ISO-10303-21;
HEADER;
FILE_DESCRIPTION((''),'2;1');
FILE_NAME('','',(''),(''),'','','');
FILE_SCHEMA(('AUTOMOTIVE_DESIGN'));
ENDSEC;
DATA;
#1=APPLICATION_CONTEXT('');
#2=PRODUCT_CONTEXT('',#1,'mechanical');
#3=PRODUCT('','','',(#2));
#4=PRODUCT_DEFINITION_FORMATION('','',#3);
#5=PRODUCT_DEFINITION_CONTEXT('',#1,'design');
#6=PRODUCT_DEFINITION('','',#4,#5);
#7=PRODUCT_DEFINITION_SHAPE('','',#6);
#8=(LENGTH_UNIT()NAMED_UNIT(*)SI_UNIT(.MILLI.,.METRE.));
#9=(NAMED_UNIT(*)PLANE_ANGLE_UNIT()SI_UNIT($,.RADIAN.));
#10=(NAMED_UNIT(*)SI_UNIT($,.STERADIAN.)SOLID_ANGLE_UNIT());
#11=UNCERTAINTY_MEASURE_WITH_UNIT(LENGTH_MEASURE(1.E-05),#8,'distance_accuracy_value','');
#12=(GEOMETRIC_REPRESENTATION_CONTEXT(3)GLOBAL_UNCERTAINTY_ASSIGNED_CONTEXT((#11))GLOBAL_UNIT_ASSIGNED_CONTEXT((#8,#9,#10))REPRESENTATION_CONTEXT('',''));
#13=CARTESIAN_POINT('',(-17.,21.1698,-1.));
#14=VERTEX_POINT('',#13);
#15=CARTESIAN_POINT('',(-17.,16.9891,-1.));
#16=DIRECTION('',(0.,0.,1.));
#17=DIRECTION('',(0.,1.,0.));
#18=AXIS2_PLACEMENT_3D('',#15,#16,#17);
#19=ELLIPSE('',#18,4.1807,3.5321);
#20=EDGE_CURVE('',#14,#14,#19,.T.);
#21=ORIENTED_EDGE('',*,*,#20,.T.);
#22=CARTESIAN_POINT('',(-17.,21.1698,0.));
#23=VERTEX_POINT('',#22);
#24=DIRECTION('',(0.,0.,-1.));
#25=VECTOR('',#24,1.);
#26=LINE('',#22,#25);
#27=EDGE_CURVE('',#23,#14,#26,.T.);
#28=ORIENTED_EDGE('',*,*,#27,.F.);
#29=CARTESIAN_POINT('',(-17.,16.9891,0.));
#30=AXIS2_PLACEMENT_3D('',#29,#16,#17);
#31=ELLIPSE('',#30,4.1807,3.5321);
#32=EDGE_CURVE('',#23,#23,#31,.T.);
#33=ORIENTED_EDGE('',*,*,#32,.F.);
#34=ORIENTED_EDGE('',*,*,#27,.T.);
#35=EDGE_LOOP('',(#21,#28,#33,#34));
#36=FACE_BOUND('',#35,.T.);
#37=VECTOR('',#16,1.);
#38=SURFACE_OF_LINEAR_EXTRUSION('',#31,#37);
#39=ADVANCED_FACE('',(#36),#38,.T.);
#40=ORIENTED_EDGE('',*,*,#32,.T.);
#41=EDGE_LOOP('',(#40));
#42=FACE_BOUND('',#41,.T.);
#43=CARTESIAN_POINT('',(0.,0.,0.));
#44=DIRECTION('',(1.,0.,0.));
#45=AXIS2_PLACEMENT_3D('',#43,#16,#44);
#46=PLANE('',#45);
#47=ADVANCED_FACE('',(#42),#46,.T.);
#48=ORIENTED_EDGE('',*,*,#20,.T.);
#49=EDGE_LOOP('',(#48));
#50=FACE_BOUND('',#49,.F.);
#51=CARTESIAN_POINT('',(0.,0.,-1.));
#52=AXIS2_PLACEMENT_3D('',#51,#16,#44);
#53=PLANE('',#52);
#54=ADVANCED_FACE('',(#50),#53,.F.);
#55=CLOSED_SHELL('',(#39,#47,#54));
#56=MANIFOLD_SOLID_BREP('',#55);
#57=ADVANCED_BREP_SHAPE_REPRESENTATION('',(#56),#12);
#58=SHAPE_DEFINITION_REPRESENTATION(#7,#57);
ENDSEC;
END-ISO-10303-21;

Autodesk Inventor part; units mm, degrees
ref_plane "YZ Plane" through (0, 0, 0) normal (1, 0, 0) x (0, 1, 0)
ref_plane "XZ Plane" through (0, 0, 0) normal (0, 1, 0) x (-1, 0, 0)
ref_plane "작업 평면1" through (0, 0, 0) normal (0, 0, 1) x (1, 0, 0)
sketch "스케치1" plane through (0, 0, 0) normal (0, 0, 1) x (1, 0, 0)
  ellipse E0 centre (-17, 16.9891) end of major axis (-17, 21.1698) minor radius 3.5321 projected
  point P0 (0, 0)
extrude "돌출1" add sketch "스케치1" against normal blind 1
properties part number "led 창"
